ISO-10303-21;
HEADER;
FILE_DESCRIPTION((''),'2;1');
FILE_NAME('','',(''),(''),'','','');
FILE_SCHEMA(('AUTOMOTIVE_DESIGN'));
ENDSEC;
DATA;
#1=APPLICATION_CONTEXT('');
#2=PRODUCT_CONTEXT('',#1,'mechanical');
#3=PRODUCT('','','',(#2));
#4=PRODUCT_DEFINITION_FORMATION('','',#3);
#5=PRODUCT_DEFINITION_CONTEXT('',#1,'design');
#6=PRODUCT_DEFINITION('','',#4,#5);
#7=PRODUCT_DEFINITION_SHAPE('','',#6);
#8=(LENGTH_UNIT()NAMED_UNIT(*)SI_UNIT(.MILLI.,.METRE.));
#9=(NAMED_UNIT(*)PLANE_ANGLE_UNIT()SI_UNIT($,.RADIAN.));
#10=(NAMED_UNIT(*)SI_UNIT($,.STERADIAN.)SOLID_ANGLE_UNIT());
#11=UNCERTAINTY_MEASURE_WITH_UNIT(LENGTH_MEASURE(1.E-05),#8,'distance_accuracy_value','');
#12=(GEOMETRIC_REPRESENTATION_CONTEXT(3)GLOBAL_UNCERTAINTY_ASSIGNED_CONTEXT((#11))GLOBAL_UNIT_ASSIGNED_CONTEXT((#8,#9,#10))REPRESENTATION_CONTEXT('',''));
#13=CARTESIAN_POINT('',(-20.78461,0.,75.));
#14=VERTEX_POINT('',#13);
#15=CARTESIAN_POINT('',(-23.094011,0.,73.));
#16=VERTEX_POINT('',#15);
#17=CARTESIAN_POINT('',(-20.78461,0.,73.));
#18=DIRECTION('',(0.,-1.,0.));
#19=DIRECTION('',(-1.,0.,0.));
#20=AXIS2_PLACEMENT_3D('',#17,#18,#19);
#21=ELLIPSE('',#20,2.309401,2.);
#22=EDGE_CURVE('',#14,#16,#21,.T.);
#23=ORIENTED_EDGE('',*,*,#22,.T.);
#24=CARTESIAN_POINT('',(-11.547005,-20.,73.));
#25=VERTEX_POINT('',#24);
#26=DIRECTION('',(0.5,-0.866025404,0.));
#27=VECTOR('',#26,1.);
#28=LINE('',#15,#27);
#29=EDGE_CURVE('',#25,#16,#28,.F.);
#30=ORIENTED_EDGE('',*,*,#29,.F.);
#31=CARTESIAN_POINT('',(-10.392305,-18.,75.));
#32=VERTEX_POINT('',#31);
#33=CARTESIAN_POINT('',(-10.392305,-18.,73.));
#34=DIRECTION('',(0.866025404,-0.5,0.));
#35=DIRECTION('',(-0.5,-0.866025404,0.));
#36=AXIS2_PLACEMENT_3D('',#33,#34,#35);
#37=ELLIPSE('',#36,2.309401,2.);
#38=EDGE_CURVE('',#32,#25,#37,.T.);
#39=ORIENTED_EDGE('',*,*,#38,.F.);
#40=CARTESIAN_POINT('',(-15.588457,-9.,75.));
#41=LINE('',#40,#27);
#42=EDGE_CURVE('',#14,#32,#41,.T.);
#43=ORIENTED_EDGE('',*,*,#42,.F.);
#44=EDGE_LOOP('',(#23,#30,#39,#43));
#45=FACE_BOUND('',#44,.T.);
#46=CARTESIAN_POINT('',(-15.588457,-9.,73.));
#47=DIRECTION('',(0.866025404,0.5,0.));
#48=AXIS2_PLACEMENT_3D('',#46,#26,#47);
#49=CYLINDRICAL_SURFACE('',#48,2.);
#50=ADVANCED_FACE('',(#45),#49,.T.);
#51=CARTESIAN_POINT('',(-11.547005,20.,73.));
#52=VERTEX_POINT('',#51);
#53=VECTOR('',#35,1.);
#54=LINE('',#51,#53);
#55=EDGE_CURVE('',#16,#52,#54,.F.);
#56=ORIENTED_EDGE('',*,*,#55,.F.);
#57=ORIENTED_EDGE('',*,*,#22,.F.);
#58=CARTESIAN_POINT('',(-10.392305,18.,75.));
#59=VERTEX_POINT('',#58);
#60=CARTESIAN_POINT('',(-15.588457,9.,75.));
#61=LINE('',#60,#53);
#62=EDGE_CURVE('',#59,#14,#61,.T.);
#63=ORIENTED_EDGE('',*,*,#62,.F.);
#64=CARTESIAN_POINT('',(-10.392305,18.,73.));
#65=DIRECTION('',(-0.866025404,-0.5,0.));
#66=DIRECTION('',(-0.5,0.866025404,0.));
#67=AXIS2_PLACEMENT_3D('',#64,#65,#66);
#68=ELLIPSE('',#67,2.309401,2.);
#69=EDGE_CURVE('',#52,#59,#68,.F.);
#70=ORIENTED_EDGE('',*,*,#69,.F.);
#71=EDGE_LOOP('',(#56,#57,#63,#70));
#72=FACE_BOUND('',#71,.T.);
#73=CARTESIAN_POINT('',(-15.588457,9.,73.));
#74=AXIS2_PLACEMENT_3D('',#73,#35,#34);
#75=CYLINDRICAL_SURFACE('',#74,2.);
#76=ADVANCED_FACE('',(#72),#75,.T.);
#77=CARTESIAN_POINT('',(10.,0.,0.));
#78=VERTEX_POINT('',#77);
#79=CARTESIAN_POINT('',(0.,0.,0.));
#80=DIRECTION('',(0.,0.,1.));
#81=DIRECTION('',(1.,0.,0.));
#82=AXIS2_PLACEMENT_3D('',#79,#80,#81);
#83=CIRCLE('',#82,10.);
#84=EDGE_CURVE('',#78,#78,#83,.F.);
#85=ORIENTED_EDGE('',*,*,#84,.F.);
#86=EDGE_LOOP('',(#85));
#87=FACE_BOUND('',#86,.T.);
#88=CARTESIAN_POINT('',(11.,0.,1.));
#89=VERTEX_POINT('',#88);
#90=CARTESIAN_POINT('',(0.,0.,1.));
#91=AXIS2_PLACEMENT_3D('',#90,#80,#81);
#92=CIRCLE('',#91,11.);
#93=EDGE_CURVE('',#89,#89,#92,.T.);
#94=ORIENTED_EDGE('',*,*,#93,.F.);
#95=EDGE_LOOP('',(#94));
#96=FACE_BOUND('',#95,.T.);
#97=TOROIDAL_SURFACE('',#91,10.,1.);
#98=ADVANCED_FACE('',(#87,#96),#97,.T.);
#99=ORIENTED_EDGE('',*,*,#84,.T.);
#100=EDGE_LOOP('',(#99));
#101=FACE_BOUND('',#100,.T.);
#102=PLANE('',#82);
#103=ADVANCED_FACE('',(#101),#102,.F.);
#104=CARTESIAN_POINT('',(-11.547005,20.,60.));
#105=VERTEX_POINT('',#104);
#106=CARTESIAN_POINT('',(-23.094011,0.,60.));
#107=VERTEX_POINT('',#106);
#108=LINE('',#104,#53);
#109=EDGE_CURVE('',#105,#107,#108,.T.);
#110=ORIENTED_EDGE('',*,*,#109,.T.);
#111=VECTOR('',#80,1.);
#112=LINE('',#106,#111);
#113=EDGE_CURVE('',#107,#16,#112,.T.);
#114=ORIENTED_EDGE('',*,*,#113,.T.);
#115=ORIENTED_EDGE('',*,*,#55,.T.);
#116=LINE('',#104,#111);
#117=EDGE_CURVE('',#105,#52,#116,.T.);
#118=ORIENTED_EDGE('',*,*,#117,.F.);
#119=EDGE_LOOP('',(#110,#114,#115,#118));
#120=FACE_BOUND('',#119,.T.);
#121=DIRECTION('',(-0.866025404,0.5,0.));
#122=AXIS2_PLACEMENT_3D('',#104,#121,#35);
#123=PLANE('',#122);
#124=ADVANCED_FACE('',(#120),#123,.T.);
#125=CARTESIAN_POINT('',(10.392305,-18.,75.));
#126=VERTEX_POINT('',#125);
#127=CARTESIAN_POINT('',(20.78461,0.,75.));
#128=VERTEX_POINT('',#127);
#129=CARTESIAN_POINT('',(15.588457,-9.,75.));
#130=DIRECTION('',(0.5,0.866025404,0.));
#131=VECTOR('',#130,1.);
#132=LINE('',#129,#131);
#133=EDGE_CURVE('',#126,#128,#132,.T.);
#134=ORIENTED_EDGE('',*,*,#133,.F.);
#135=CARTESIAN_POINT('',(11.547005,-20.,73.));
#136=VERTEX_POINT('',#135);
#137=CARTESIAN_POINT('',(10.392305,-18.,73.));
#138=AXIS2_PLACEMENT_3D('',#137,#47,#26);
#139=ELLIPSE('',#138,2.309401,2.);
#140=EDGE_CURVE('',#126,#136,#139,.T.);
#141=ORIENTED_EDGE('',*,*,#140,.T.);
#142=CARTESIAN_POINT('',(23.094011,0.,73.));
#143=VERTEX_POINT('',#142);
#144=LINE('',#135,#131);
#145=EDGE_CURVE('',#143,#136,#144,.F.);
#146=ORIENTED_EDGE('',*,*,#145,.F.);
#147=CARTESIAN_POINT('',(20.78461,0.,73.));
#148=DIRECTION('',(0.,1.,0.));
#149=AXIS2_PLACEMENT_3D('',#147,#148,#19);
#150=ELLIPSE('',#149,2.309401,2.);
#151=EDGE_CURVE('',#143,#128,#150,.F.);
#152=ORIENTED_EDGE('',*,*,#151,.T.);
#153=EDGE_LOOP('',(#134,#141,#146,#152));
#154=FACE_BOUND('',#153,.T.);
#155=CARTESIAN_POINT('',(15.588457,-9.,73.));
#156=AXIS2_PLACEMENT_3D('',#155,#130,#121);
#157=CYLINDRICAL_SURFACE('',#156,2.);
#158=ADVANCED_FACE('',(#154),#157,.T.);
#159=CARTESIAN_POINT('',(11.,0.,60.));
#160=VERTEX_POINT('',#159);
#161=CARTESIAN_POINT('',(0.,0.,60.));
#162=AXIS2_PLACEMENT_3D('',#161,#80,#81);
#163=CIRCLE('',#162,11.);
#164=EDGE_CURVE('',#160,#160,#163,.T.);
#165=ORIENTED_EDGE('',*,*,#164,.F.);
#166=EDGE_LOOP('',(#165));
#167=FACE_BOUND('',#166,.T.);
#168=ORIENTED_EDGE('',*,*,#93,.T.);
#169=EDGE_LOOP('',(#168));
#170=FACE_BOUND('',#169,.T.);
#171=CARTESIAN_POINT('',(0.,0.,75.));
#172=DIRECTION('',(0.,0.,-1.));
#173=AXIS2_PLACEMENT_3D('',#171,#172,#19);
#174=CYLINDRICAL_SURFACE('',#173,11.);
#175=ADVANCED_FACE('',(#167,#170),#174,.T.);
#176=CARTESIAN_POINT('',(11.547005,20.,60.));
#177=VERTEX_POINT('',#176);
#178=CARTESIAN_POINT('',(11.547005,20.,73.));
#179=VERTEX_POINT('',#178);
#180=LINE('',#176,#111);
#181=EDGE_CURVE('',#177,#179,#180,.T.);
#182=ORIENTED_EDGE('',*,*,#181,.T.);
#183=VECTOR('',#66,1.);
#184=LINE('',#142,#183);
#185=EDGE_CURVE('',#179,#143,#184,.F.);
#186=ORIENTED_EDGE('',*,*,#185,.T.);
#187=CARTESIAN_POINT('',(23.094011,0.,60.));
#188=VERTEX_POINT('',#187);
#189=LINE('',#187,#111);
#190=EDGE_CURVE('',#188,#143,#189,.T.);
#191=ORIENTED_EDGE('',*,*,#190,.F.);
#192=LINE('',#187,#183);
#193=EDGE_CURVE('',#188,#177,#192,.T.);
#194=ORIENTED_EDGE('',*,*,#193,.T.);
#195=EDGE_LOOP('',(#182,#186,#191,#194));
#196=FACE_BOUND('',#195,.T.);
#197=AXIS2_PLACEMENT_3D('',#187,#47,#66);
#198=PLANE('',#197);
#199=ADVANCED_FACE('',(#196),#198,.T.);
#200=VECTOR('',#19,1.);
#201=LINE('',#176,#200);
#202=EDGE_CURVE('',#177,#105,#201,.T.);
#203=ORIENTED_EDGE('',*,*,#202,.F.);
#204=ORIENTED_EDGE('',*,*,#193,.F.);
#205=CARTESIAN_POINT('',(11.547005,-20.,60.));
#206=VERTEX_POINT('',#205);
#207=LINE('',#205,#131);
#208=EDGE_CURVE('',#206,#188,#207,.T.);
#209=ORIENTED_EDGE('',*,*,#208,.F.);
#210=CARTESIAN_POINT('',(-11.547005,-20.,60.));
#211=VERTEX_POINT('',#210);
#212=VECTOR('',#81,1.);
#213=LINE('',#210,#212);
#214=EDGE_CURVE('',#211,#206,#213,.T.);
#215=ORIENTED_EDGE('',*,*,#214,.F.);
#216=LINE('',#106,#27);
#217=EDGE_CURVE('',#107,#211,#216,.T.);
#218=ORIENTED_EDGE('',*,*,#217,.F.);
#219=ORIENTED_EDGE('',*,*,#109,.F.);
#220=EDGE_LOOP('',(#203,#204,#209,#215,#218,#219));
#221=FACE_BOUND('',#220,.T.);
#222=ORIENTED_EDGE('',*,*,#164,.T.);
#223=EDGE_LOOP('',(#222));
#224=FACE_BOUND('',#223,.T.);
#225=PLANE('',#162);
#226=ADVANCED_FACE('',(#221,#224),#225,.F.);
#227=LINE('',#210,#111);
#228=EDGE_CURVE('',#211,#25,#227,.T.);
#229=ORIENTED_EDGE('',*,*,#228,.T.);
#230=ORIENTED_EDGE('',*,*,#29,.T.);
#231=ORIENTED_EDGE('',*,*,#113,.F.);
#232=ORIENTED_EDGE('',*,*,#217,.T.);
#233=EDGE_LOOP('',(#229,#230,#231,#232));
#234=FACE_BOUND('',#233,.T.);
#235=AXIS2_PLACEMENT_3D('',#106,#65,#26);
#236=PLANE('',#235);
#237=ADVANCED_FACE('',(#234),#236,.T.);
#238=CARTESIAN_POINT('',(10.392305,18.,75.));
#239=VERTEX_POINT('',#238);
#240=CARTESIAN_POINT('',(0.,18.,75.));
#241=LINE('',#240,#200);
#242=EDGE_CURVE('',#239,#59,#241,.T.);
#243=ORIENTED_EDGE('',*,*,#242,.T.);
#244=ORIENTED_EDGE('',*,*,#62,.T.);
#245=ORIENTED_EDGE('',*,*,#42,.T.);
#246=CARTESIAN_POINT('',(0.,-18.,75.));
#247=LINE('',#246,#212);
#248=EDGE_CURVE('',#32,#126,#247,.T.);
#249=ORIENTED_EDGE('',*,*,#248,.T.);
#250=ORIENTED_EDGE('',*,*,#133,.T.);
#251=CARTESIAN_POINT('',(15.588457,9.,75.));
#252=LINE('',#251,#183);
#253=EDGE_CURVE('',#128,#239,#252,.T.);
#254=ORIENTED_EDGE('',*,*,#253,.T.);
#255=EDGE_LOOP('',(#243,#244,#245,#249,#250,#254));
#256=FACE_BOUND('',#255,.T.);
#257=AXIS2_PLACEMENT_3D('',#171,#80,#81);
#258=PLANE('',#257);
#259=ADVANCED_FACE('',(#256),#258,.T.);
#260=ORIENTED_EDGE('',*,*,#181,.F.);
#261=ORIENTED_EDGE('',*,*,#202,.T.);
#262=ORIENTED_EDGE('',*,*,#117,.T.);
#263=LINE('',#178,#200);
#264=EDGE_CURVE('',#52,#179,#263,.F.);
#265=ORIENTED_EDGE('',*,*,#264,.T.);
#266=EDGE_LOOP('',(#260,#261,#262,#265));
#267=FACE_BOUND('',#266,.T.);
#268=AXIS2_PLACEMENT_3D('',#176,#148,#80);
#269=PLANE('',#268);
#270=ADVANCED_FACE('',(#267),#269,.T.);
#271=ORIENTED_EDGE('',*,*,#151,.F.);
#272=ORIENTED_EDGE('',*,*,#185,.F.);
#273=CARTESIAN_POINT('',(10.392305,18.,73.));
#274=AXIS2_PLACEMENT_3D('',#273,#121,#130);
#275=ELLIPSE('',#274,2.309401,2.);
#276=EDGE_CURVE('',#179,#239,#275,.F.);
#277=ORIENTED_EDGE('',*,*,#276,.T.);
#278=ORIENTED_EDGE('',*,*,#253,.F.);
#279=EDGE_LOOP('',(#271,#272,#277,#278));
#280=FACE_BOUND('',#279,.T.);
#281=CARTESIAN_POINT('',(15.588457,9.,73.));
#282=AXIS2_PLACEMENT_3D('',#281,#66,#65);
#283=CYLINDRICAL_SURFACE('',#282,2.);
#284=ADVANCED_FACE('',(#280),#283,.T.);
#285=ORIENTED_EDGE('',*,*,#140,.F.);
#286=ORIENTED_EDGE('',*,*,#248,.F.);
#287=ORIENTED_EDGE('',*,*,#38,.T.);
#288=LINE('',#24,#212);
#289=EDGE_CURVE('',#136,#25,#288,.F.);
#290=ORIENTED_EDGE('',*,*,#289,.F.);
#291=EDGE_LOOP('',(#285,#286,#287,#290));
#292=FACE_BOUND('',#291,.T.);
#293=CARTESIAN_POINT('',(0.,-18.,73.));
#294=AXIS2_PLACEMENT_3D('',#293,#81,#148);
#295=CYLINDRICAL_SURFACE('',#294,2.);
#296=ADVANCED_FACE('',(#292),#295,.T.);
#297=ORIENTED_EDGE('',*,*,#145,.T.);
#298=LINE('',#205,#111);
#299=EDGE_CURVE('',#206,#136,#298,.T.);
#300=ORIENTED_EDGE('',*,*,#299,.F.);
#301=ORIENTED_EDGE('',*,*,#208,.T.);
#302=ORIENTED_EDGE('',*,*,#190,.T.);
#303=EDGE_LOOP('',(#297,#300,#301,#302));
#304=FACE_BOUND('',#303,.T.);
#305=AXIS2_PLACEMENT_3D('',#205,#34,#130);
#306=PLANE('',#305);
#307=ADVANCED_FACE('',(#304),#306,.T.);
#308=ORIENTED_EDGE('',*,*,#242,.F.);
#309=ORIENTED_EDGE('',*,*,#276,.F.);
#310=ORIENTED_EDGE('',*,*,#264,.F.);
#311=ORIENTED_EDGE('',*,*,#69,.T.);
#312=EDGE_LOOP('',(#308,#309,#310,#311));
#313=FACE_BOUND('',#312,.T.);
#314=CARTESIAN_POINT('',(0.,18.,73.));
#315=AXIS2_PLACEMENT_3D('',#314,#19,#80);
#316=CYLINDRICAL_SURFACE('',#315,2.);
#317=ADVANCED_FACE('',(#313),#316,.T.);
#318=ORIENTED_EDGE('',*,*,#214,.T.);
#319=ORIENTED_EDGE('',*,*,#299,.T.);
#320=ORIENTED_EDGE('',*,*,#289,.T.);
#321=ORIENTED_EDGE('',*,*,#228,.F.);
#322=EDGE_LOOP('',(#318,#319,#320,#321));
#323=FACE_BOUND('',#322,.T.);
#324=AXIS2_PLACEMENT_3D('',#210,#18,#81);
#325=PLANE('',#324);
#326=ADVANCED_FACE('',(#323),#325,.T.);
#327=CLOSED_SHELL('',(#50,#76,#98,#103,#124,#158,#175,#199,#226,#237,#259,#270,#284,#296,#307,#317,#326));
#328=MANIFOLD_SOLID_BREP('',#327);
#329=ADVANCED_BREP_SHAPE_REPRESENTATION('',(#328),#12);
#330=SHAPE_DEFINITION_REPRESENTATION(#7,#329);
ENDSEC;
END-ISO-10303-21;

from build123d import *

# Parameters (mm, degrees)
SKETCH_1_R      = 11
EXTRUDE_1_DEPTH = 75
EXTRUDE_2_DEPTH = 15
FILLET_1_R      = 2
FILLET_2_R      = 1


with BuildPart() as part:
    # 草图1 → 凸台-拉伸1 (new body)
    with BuildSketch(Plane.XY):
        Circle(SKETCH_1_R)
    extrude(amount=EXTRUDE_1_DEPTH)

    # 草图3 → 凸台-拉伸2 (add)
    with BuildSketch(Plane.XY.offset(75)):
        Polygon((11.547005384, -20), (23.094010768, 0), (11.547005384, 20), (-11.547005384, 20), (-23.094010768, 0), (-11.547005384, -20), align=None)
    extrude(amount=-EXTRUDE_2_DEPTH)

    # 圆角1
    fillet_1_edges = [part.edges().sort_by_distance(p)[0] for p in [
        (0, -20, 75),
        (17.320508076, -10, 75),
        (17.320508076, 10, 75),
        (0, 20, 75),
        (-17.320508076, 10, 75),
        (-17.320508076, -10, 75),
    ]]
    fillet(fillet_1_edges, radius=FILLET_1_R)

    # 圆角2
    fillet_2_edges = [part.edges().sort_by_distance(p)[0] for p in [
        (-11, 0, 0),
    ]]
    fillet(fillet_2_edges, radius=FILLET_2_R)


solid = part.part
